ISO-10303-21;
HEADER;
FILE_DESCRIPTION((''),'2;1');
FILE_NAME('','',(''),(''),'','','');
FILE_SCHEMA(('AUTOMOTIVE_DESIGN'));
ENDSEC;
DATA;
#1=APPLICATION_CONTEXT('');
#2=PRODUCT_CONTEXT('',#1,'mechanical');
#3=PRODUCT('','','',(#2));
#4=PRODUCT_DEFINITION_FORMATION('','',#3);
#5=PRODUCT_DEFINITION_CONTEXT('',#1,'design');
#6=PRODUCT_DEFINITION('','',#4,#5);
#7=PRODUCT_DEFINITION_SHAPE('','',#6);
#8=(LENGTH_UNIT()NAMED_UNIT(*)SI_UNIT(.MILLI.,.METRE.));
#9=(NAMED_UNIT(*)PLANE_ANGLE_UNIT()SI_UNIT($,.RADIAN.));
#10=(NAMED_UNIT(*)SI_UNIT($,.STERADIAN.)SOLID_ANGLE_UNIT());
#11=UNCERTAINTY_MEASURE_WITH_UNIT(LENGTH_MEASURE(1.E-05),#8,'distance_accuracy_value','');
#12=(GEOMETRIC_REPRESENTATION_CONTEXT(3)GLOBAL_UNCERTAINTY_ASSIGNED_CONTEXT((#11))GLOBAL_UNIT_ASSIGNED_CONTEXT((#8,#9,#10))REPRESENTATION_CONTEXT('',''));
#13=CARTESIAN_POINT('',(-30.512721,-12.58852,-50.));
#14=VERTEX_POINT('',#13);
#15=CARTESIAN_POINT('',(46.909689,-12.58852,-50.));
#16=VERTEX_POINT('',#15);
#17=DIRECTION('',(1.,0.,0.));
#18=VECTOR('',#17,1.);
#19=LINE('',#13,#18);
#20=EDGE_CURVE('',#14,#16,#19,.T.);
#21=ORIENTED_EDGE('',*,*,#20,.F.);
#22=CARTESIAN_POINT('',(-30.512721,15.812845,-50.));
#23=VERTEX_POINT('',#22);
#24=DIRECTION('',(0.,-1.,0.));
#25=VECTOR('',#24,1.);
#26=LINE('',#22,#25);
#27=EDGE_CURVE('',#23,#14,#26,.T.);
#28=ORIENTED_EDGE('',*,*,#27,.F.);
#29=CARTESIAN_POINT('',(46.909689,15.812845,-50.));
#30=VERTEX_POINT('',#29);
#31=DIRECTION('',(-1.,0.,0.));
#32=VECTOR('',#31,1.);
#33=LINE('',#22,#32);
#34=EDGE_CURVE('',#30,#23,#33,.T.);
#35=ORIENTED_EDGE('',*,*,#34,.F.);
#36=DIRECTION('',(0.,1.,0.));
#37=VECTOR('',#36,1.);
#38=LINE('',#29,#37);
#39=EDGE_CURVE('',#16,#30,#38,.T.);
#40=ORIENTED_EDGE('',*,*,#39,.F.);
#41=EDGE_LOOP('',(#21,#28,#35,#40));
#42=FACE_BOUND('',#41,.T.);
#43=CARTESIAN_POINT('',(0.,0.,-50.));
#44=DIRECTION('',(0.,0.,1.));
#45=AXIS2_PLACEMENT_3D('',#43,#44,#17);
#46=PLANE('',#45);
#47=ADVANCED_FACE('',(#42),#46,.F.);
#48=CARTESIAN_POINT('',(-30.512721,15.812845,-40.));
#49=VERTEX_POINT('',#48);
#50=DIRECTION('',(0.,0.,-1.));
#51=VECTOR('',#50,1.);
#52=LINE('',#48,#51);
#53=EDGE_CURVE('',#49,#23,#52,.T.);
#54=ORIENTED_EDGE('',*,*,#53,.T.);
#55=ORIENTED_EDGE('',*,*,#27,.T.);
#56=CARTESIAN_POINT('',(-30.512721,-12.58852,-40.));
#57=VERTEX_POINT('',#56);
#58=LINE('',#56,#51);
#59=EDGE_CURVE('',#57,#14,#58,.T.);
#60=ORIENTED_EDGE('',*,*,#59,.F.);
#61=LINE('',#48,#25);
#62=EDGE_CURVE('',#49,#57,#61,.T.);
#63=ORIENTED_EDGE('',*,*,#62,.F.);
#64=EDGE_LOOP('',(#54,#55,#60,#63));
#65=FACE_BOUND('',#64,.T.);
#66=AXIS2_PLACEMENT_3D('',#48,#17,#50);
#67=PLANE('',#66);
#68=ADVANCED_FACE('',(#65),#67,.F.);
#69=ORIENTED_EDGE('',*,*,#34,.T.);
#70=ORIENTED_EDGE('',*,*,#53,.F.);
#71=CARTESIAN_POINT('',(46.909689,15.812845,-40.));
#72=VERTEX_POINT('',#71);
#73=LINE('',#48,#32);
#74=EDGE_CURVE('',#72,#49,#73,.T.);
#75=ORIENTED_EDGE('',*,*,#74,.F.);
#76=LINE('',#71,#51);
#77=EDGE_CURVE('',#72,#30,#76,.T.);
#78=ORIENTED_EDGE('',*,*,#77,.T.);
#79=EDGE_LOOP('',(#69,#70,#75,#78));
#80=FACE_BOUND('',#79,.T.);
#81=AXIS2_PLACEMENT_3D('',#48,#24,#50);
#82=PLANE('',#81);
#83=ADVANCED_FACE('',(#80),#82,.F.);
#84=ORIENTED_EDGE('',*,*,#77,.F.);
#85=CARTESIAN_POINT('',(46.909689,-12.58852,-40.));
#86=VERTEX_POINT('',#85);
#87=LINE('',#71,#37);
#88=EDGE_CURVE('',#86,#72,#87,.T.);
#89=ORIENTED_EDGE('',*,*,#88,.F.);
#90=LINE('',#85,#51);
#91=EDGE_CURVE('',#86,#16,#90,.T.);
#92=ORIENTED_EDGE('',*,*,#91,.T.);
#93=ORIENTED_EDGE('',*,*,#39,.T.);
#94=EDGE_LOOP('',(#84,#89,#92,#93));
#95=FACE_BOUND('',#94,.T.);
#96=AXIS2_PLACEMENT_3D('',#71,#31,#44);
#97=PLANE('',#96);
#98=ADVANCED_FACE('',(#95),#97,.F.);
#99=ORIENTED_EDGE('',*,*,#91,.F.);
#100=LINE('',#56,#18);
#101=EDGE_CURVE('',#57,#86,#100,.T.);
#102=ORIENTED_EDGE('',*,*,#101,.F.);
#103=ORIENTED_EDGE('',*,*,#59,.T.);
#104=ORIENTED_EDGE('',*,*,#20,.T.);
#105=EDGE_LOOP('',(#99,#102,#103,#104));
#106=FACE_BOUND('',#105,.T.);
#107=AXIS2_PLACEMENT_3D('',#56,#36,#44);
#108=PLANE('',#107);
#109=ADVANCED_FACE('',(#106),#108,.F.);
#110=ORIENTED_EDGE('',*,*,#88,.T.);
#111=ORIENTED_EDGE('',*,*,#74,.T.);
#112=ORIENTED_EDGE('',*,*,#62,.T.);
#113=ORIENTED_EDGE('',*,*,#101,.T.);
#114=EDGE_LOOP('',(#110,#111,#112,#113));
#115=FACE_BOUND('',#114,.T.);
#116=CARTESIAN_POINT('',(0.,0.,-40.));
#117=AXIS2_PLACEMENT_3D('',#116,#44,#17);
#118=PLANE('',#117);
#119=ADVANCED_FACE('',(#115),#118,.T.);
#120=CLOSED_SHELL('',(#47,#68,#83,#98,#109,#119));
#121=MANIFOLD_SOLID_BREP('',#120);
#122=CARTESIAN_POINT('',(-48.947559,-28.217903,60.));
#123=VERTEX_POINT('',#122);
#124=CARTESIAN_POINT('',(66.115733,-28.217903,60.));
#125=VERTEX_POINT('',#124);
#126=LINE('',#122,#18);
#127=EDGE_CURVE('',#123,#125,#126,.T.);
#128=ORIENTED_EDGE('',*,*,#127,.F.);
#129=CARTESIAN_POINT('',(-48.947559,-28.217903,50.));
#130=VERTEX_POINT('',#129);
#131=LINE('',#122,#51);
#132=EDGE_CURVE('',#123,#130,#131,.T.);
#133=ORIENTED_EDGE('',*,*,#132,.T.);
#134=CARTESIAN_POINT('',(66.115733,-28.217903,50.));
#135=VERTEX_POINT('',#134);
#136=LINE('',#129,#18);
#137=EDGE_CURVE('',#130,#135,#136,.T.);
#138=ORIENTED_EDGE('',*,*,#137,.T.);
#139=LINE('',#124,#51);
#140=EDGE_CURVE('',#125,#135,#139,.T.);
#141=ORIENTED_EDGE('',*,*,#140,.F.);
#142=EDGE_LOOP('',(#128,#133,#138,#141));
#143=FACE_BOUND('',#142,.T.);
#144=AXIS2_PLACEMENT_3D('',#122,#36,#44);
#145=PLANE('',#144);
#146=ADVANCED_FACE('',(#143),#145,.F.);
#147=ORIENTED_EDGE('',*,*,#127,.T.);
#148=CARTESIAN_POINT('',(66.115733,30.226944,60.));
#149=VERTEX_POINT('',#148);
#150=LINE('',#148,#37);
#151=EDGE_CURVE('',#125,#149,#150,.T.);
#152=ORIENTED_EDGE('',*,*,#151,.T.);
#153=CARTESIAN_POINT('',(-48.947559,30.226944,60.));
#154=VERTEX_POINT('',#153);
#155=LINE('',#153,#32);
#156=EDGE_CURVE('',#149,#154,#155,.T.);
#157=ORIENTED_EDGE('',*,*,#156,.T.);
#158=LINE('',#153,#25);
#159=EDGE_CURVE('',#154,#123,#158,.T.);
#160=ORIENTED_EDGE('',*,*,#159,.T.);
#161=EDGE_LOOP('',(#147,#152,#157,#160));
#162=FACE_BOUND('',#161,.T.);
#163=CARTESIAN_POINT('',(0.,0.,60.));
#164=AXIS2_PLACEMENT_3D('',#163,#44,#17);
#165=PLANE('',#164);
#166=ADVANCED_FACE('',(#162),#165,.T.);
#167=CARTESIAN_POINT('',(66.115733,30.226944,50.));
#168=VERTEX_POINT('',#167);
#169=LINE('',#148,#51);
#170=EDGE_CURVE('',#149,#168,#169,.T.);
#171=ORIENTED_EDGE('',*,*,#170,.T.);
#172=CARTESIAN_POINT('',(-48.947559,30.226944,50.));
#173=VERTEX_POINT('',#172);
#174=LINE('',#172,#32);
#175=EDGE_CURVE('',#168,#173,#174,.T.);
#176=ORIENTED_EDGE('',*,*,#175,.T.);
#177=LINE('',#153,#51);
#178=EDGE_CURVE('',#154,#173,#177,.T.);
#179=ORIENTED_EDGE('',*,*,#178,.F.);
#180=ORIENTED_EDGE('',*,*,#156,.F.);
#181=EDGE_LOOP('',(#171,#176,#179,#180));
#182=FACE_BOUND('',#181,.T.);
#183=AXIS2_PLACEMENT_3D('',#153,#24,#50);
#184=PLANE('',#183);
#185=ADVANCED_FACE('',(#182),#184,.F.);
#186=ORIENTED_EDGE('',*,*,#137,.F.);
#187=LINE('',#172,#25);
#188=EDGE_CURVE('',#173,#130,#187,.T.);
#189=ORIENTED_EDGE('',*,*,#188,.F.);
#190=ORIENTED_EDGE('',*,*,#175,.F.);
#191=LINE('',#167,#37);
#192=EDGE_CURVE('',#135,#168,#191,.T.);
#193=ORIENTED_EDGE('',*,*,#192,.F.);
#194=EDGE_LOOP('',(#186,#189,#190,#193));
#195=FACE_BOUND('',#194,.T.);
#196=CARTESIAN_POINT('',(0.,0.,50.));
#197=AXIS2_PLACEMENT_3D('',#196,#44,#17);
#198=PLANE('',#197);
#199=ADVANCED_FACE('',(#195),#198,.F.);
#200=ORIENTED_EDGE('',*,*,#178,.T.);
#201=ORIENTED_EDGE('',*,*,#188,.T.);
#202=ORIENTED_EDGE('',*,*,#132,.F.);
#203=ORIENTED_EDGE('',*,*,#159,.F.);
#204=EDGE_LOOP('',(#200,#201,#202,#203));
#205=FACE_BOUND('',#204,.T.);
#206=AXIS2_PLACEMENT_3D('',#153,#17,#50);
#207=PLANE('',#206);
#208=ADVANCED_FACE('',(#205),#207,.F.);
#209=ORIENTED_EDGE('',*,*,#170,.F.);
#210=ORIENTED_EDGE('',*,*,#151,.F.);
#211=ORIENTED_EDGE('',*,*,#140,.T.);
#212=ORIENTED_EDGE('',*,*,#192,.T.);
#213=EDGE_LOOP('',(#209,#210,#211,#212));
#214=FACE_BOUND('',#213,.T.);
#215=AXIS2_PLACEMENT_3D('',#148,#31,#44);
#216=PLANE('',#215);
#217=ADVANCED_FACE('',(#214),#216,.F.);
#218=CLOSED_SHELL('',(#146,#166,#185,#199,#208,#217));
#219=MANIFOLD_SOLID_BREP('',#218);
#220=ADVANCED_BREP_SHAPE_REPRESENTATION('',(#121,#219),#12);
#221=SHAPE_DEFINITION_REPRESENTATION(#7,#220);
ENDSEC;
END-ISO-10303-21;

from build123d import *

# Parameters (mm, degrees)
ESQUISSE2_W        = 115.063292794
ESQUISSE2_H        = 58.444847134
BOSS_EXTRU_1_DEPTH = 10
ESQUISSE3_W        = 77.422409309
ESQUISSE3_H        = 28.401365068
BOSS_EXTRU_2_DEPTH = 10


with BuildPart() as part:
    # Esquisse2 → Boss.-Extru.1 (new body)
    with BuildSketch(Plane.XY.offset(50)):
        with Locations((8.584086923, 1.00452081)):
            Rectangle(ESQUISSE2_W, ESQUISSE2_H)
    extrude(amount=BOSS_EXTRU_1_DEPTH)


with BuildPart() as body_2:
    # Esquisse3 → Boss.-Extru.2 (new body)
    with BuildSketch(Plane.XY.offset(-50)):
        with Locations((8.198484022, 1.612162963)):
            Rectangle(ESQUISSE3_W, ESQUISSE3_H)
    extrude(amount=BOSS_EXTRU_2_DEPTH)


solid = Compound([part.part, body_2.part])
